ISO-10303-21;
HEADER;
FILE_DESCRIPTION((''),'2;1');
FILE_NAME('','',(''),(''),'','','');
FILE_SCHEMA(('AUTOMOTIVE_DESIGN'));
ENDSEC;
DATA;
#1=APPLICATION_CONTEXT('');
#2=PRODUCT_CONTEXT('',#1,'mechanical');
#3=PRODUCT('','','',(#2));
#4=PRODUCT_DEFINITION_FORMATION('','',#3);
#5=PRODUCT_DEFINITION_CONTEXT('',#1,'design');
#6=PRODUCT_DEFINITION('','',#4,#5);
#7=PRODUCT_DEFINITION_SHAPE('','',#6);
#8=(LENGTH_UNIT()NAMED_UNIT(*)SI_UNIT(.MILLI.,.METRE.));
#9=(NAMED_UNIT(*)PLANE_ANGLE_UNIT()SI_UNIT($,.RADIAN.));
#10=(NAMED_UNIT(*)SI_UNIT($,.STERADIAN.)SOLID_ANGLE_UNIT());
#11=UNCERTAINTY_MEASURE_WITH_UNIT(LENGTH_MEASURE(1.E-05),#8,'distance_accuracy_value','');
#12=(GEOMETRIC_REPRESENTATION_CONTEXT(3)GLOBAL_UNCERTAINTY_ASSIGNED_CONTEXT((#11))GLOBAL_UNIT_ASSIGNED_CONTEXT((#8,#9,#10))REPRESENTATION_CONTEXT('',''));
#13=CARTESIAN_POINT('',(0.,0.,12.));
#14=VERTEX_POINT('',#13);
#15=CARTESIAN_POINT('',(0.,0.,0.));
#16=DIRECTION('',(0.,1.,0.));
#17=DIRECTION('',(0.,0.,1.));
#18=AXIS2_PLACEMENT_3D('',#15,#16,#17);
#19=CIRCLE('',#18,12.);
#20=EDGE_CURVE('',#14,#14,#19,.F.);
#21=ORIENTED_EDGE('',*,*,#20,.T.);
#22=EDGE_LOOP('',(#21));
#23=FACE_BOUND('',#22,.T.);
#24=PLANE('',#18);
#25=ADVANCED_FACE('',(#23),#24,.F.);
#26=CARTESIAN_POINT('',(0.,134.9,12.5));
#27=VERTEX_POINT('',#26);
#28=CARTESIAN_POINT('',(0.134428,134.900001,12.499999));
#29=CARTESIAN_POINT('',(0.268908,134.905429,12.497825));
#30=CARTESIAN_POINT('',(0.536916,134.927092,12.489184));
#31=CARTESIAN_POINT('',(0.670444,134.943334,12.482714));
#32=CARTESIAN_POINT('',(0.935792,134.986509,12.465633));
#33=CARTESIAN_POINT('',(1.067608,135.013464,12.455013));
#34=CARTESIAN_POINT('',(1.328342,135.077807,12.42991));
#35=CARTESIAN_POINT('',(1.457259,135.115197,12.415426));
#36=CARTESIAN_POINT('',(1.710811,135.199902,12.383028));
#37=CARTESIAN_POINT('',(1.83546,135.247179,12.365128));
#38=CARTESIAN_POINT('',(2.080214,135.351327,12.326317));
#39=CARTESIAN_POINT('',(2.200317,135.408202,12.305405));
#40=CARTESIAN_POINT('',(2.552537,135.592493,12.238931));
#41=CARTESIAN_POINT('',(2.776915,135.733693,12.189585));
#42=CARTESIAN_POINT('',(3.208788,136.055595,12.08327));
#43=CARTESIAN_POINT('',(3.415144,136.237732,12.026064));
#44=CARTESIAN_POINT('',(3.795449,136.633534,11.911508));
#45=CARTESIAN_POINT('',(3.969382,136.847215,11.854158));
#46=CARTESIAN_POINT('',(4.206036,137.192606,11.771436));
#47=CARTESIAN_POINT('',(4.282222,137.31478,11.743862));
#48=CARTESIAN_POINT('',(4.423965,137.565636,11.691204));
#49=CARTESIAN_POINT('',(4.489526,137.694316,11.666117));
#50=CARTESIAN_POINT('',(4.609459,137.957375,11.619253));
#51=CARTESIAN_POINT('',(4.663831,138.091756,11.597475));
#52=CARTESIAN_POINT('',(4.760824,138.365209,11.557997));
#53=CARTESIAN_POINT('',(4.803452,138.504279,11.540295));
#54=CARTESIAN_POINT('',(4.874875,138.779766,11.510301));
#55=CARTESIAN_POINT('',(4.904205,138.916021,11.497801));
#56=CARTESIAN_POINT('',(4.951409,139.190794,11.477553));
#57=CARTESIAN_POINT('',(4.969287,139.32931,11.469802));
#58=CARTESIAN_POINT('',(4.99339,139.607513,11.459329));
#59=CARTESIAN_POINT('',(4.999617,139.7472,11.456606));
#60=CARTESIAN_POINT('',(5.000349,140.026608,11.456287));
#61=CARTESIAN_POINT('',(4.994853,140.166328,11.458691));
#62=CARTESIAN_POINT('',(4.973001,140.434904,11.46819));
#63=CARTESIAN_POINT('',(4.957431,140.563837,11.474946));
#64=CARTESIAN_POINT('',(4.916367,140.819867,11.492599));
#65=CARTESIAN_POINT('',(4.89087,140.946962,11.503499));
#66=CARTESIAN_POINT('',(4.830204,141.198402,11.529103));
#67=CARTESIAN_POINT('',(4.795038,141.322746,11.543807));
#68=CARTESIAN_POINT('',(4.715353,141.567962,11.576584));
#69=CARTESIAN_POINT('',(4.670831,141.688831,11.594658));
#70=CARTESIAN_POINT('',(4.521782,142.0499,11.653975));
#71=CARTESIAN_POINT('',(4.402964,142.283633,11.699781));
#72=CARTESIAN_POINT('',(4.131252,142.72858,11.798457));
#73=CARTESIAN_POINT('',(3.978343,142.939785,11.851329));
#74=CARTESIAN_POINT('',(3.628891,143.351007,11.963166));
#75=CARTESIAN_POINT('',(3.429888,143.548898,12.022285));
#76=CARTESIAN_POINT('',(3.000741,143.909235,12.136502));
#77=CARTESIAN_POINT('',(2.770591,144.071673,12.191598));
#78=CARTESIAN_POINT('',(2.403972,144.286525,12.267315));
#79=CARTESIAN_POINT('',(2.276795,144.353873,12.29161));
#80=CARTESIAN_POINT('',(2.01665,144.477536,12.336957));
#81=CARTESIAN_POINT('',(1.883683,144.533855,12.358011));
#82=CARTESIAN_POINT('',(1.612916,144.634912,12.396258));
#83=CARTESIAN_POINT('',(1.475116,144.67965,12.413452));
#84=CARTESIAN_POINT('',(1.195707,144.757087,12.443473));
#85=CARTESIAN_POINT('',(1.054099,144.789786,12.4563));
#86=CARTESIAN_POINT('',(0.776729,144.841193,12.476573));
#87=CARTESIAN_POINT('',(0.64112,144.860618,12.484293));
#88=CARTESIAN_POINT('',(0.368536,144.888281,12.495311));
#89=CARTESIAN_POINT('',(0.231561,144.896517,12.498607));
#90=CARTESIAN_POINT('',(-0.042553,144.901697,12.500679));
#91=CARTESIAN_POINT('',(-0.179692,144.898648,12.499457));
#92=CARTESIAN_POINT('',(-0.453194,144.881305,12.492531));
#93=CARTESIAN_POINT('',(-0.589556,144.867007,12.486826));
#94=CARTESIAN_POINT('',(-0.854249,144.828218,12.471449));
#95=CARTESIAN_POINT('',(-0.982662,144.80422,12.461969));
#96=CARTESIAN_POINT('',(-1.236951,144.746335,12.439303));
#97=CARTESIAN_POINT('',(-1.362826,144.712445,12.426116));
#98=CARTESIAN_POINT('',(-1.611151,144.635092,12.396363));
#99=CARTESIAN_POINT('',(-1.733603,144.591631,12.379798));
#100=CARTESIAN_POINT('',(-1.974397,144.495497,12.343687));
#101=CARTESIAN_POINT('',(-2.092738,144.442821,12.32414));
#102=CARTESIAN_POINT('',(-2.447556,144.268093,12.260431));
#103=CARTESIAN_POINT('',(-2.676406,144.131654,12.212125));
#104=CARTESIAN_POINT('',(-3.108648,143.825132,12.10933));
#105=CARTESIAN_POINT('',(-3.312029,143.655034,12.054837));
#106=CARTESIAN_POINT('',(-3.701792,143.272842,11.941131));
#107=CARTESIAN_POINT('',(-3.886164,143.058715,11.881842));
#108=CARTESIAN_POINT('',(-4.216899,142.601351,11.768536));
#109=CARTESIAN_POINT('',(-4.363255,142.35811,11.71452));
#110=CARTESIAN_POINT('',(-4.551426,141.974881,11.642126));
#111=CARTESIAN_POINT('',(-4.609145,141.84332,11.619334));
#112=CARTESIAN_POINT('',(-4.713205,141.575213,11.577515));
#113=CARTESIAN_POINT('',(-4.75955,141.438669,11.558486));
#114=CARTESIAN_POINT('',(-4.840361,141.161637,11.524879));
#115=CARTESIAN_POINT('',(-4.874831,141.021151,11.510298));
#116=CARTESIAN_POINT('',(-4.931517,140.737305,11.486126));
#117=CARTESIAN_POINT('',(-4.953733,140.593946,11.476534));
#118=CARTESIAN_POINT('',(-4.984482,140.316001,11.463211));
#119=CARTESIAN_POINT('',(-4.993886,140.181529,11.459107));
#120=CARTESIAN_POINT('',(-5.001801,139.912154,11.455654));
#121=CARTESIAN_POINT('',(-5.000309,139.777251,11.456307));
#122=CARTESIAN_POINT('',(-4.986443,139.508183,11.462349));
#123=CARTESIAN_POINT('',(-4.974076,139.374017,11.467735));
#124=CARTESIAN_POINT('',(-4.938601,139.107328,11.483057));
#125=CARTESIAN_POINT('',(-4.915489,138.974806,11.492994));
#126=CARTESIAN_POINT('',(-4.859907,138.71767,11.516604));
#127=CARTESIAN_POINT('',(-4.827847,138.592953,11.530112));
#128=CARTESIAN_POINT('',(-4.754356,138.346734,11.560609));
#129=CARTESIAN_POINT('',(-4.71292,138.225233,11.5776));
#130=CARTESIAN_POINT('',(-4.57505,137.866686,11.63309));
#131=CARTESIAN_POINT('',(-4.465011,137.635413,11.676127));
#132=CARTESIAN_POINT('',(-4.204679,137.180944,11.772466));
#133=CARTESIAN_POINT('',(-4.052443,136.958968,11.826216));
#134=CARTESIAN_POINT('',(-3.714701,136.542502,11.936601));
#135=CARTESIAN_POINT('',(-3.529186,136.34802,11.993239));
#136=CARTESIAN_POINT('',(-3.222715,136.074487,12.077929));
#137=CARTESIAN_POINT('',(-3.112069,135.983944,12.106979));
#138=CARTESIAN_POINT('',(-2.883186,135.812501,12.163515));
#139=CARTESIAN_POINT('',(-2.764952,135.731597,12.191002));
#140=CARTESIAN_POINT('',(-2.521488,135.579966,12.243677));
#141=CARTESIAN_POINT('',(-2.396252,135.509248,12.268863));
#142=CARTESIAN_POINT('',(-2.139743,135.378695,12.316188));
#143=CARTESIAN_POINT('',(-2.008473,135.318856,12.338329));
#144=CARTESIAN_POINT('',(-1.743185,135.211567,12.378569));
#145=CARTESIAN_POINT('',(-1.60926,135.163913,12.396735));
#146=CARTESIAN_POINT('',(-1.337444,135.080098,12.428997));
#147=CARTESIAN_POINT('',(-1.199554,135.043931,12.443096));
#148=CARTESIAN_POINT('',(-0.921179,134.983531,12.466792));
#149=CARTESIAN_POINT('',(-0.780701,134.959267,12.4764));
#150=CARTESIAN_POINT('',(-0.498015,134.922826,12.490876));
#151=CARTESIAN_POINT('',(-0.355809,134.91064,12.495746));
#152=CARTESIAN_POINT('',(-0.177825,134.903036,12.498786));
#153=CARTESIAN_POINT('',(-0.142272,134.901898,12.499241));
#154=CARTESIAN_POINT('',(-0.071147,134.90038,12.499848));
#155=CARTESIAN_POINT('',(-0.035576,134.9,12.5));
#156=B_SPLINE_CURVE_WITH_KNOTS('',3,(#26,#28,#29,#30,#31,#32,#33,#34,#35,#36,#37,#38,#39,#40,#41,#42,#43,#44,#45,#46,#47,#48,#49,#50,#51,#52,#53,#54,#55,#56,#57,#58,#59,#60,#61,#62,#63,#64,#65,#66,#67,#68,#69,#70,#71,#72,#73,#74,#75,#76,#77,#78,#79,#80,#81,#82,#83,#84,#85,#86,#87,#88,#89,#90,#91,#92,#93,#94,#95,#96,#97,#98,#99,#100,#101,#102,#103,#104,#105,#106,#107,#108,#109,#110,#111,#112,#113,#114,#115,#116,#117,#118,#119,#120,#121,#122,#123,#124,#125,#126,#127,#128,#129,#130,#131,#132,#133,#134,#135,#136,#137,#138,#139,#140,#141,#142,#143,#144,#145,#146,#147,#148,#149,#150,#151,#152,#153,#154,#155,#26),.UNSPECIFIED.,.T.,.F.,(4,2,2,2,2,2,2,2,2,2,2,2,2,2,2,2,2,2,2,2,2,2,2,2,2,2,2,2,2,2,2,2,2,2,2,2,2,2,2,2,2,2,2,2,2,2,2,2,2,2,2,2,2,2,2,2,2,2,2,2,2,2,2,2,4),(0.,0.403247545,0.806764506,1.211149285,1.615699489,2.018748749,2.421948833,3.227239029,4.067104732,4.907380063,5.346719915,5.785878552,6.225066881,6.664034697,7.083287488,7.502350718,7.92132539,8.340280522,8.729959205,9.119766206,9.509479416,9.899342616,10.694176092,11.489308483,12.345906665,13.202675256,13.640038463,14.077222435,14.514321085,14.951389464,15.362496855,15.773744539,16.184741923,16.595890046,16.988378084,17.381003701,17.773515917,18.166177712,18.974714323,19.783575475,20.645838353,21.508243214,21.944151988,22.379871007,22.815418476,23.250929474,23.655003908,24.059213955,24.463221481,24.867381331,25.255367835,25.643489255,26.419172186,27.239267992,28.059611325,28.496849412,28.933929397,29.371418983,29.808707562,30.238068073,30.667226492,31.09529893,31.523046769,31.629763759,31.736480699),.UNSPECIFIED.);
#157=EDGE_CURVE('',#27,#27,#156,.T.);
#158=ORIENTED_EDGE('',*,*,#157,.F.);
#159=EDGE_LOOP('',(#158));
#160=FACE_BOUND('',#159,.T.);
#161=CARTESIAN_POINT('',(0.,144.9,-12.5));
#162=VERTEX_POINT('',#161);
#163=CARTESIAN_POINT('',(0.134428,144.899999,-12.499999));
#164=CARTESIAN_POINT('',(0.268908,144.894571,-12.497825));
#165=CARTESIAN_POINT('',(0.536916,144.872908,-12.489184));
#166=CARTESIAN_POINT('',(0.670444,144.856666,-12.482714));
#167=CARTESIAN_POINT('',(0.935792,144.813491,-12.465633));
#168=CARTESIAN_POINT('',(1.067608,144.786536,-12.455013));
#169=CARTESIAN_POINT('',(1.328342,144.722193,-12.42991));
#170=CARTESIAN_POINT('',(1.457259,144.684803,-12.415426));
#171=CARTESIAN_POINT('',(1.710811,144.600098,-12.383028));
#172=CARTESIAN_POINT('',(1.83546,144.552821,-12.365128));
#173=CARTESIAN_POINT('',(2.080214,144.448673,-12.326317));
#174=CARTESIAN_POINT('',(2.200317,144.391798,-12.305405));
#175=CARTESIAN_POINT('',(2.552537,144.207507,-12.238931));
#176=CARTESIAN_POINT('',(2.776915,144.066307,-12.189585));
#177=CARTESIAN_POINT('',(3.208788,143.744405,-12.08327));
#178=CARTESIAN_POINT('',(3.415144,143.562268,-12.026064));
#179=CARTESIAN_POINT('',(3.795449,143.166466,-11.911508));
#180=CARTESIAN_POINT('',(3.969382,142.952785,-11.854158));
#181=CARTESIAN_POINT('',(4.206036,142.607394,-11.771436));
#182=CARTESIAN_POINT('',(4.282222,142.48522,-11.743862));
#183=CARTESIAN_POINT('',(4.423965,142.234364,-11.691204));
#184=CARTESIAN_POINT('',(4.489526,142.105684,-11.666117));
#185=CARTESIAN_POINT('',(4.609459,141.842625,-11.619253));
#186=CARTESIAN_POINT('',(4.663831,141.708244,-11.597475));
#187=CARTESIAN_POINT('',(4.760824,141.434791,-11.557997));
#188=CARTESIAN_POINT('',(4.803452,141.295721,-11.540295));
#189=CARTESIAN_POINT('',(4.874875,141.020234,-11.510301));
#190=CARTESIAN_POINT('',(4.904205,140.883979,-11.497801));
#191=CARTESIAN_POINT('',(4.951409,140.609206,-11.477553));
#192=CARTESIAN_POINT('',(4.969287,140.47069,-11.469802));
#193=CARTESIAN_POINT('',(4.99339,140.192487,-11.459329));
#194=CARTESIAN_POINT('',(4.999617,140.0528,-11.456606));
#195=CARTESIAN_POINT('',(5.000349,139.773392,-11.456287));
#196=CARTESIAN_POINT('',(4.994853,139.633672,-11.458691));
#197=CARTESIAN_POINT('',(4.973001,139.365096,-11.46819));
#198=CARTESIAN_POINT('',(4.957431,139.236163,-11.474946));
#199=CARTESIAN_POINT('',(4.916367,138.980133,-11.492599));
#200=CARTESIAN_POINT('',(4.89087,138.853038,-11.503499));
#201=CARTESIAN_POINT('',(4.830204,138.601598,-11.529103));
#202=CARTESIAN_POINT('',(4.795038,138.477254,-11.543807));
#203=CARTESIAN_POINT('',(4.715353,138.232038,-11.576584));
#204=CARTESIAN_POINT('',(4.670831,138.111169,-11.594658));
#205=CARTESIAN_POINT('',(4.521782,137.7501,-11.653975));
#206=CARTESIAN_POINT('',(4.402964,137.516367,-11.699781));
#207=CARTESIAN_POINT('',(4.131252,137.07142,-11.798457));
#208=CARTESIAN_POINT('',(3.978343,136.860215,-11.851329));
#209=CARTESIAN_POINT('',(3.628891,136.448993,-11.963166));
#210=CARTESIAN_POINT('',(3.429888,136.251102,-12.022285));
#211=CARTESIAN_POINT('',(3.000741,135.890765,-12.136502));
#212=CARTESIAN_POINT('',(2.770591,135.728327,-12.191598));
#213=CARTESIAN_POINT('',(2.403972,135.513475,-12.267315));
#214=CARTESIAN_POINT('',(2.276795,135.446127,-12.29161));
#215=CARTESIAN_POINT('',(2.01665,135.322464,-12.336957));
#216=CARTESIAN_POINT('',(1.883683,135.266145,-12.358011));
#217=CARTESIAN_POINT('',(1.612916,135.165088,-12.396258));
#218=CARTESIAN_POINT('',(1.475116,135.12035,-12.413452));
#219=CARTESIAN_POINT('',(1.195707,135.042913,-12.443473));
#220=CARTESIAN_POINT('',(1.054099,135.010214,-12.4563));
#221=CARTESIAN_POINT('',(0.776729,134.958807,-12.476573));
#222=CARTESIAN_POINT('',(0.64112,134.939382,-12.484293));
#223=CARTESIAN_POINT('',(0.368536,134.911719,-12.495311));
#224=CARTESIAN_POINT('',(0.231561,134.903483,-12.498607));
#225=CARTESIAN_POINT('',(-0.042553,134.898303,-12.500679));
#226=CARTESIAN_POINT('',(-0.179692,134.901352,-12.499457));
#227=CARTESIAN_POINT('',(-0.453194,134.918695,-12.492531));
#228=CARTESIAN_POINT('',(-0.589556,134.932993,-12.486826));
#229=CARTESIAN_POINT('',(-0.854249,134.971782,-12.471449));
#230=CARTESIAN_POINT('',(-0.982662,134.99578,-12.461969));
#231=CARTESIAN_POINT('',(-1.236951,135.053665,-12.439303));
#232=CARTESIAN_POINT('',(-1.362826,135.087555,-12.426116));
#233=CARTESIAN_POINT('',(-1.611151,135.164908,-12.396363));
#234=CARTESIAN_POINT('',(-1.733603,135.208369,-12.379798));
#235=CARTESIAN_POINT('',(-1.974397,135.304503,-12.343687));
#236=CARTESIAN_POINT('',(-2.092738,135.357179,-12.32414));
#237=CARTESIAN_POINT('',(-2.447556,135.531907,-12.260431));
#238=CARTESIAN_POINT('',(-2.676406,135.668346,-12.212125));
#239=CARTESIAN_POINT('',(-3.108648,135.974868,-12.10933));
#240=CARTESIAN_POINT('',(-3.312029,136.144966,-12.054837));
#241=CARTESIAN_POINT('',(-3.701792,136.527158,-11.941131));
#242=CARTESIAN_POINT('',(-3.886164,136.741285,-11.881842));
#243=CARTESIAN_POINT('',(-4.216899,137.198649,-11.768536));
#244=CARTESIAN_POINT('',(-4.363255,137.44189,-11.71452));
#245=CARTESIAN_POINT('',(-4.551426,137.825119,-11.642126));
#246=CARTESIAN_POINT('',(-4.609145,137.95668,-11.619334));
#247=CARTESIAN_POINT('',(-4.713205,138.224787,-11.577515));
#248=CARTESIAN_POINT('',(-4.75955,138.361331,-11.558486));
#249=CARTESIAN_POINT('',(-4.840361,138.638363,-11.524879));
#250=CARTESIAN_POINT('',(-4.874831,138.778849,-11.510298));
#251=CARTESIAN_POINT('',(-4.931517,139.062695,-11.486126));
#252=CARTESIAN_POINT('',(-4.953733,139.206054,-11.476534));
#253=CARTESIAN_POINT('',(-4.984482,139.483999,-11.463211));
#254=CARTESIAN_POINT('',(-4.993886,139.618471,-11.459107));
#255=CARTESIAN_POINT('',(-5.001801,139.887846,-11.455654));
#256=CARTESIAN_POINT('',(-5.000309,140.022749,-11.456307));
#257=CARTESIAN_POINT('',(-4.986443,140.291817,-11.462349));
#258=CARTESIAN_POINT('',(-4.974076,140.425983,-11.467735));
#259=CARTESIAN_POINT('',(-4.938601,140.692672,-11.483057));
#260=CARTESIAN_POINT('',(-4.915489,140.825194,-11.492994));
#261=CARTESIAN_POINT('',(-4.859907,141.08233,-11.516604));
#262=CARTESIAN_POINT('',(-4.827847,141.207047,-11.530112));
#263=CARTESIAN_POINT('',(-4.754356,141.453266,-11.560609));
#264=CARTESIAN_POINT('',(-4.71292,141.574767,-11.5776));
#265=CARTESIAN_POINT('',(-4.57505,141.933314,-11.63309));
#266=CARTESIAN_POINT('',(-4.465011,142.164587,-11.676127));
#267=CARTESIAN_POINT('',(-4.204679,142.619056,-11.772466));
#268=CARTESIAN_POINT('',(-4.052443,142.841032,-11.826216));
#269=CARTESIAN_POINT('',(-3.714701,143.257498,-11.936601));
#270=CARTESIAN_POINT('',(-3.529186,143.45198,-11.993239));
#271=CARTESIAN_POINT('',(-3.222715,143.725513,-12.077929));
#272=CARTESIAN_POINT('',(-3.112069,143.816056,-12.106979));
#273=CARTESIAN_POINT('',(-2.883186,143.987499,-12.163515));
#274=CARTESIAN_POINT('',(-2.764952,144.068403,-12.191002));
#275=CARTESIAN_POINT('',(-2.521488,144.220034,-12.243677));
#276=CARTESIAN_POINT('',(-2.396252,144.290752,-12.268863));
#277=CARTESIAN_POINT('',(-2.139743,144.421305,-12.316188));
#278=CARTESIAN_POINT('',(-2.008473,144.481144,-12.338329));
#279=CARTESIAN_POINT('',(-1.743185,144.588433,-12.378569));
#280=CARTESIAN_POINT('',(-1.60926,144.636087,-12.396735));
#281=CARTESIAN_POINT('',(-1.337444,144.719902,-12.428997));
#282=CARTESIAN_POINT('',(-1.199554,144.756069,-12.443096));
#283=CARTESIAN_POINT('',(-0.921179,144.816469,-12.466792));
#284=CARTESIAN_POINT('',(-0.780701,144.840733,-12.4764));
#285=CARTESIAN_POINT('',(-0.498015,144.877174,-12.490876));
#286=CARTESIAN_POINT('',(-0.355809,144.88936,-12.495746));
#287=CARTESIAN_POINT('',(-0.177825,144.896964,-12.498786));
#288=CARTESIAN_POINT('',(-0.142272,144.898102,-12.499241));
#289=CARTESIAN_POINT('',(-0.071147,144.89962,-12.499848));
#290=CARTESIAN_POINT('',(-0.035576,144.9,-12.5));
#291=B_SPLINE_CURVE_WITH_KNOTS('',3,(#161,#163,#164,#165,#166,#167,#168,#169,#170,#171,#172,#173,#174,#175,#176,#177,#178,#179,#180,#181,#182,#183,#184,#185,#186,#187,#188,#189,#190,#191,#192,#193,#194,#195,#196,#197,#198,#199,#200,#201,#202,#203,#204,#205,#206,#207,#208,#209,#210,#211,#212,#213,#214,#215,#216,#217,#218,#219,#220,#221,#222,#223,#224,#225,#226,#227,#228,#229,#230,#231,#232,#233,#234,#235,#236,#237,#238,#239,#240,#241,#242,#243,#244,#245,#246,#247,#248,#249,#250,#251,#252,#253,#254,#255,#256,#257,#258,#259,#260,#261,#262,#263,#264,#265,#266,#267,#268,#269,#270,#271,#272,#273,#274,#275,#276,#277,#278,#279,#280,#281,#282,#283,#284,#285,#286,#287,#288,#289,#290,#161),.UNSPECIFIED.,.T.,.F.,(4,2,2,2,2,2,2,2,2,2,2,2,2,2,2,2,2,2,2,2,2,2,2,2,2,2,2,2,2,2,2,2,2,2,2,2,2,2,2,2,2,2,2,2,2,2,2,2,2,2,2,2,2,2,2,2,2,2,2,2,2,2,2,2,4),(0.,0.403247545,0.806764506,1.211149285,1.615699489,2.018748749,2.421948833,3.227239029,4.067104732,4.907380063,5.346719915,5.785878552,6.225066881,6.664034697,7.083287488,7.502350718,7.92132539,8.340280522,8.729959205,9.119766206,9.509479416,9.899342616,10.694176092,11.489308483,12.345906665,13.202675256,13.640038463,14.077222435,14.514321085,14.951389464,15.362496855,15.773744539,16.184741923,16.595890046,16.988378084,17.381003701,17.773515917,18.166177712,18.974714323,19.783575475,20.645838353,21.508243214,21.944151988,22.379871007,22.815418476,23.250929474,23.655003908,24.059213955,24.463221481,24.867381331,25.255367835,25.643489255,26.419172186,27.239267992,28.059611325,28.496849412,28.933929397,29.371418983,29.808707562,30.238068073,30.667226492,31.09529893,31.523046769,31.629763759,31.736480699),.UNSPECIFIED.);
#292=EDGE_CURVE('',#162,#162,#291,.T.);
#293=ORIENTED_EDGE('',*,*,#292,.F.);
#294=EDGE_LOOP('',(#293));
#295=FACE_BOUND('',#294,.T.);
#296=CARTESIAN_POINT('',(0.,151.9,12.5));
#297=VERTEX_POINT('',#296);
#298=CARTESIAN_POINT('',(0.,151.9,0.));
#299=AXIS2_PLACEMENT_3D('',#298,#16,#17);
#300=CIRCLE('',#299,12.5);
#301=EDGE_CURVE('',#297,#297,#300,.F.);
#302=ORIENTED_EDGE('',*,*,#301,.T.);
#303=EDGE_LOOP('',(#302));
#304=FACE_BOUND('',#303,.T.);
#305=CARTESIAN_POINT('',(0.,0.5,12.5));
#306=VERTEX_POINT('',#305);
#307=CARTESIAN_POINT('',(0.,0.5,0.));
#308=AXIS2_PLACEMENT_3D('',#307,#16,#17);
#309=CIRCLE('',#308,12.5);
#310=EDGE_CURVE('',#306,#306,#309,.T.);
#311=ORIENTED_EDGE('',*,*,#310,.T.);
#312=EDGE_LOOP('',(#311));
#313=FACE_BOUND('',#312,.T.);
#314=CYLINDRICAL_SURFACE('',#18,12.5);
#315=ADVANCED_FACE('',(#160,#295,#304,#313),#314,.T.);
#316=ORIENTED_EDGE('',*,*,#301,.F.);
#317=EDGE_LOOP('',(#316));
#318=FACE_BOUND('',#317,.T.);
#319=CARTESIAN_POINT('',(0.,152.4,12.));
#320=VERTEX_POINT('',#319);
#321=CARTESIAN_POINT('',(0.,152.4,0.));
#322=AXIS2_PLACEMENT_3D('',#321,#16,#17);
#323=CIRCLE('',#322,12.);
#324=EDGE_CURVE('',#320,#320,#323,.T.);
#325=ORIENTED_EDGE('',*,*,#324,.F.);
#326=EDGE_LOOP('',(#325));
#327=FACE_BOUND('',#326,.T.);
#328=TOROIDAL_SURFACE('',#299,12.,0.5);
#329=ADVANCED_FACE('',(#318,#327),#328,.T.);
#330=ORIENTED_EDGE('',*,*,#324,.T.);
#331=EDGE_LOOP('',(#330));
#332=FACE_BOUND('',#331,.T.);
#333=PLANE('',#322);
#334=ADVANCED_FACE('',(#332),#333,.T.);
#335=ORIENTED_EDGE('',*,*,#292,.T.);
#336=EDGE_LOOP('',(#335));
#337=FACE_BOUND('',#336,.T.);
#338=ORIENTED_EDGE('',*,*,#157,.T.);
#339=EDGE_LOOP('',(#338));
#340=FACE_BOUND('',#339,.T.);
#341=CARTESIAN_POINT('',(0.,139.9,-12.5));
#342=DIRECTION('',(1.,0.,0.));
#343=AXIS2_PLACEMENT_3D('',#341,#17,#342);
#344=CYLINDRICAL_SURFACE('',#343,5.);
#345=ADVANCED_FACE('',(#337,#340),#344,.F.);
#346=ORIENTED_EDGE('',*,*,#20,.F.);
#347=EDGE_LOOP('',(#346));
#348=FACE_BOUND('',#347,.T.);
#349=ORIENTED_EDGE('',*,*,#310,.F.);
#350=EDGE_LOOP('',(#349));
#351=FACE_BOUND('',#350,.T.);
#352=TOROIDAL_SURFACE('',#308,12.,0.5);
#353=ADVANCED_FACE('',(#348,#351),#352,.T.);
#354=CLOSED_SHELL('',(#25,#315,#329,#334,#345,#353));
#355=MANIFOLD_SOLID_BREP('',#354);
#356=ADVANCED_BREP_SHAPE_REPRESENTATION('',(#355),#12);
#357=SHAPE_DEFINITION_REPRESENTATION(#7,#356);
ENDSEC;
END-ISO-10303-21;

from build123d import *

# Parameters (mm, degrees)
SWEEP1_PROFILE_R        = 12.5
SKETCH6_R               = 5
CUT_EXTRUDE1_DEPTH      = 13.5
CUT_EXTRUDE1_DEPTH_BACK = 13.5
FILLET1_R               = 0.5


with BuildPart() as part:
    # Sweep1: sweep along a path in Sketch1
    with BuildLine(Plane.XY) as sweep1_path:
        Line((0, 0), (0, 152.4))
    # Sweep1 profile (on start of the path) → Sweep1 (sweep)
    with BuildSketch(Plane.ZX):
        Circle(SWEEP1_PROFILE_R)
    sweep(path=sweep1_path.line)

    # Sketch6 → Cut-Extrude1 (cut, two sides)
    with BuildSketch(Plane.XY) as cut_extrude1_sk:
        with Locations((0, 139.9)):
            Circle(SKETCH6_R)
    extrude(amount=CUT_EXTRUDE1_DEPTH, mode=Mode.SUBTRACT)
    extrude(cut_extrude1_sk.sketch, amount=-CUT_EXTRUDE1_DEPTH_BACK, mode=Mode.SUBTRACT)

    # Fillet1
    fillet1_edges = [part.edges().sort_by_distance(p)[0] for p in [
        (0, 0, -12.5),
        (0, 152.4, -12.5),
    ]]
    fillet(fillet1_edges, radius=FILLET1_R)


solid = part.part
